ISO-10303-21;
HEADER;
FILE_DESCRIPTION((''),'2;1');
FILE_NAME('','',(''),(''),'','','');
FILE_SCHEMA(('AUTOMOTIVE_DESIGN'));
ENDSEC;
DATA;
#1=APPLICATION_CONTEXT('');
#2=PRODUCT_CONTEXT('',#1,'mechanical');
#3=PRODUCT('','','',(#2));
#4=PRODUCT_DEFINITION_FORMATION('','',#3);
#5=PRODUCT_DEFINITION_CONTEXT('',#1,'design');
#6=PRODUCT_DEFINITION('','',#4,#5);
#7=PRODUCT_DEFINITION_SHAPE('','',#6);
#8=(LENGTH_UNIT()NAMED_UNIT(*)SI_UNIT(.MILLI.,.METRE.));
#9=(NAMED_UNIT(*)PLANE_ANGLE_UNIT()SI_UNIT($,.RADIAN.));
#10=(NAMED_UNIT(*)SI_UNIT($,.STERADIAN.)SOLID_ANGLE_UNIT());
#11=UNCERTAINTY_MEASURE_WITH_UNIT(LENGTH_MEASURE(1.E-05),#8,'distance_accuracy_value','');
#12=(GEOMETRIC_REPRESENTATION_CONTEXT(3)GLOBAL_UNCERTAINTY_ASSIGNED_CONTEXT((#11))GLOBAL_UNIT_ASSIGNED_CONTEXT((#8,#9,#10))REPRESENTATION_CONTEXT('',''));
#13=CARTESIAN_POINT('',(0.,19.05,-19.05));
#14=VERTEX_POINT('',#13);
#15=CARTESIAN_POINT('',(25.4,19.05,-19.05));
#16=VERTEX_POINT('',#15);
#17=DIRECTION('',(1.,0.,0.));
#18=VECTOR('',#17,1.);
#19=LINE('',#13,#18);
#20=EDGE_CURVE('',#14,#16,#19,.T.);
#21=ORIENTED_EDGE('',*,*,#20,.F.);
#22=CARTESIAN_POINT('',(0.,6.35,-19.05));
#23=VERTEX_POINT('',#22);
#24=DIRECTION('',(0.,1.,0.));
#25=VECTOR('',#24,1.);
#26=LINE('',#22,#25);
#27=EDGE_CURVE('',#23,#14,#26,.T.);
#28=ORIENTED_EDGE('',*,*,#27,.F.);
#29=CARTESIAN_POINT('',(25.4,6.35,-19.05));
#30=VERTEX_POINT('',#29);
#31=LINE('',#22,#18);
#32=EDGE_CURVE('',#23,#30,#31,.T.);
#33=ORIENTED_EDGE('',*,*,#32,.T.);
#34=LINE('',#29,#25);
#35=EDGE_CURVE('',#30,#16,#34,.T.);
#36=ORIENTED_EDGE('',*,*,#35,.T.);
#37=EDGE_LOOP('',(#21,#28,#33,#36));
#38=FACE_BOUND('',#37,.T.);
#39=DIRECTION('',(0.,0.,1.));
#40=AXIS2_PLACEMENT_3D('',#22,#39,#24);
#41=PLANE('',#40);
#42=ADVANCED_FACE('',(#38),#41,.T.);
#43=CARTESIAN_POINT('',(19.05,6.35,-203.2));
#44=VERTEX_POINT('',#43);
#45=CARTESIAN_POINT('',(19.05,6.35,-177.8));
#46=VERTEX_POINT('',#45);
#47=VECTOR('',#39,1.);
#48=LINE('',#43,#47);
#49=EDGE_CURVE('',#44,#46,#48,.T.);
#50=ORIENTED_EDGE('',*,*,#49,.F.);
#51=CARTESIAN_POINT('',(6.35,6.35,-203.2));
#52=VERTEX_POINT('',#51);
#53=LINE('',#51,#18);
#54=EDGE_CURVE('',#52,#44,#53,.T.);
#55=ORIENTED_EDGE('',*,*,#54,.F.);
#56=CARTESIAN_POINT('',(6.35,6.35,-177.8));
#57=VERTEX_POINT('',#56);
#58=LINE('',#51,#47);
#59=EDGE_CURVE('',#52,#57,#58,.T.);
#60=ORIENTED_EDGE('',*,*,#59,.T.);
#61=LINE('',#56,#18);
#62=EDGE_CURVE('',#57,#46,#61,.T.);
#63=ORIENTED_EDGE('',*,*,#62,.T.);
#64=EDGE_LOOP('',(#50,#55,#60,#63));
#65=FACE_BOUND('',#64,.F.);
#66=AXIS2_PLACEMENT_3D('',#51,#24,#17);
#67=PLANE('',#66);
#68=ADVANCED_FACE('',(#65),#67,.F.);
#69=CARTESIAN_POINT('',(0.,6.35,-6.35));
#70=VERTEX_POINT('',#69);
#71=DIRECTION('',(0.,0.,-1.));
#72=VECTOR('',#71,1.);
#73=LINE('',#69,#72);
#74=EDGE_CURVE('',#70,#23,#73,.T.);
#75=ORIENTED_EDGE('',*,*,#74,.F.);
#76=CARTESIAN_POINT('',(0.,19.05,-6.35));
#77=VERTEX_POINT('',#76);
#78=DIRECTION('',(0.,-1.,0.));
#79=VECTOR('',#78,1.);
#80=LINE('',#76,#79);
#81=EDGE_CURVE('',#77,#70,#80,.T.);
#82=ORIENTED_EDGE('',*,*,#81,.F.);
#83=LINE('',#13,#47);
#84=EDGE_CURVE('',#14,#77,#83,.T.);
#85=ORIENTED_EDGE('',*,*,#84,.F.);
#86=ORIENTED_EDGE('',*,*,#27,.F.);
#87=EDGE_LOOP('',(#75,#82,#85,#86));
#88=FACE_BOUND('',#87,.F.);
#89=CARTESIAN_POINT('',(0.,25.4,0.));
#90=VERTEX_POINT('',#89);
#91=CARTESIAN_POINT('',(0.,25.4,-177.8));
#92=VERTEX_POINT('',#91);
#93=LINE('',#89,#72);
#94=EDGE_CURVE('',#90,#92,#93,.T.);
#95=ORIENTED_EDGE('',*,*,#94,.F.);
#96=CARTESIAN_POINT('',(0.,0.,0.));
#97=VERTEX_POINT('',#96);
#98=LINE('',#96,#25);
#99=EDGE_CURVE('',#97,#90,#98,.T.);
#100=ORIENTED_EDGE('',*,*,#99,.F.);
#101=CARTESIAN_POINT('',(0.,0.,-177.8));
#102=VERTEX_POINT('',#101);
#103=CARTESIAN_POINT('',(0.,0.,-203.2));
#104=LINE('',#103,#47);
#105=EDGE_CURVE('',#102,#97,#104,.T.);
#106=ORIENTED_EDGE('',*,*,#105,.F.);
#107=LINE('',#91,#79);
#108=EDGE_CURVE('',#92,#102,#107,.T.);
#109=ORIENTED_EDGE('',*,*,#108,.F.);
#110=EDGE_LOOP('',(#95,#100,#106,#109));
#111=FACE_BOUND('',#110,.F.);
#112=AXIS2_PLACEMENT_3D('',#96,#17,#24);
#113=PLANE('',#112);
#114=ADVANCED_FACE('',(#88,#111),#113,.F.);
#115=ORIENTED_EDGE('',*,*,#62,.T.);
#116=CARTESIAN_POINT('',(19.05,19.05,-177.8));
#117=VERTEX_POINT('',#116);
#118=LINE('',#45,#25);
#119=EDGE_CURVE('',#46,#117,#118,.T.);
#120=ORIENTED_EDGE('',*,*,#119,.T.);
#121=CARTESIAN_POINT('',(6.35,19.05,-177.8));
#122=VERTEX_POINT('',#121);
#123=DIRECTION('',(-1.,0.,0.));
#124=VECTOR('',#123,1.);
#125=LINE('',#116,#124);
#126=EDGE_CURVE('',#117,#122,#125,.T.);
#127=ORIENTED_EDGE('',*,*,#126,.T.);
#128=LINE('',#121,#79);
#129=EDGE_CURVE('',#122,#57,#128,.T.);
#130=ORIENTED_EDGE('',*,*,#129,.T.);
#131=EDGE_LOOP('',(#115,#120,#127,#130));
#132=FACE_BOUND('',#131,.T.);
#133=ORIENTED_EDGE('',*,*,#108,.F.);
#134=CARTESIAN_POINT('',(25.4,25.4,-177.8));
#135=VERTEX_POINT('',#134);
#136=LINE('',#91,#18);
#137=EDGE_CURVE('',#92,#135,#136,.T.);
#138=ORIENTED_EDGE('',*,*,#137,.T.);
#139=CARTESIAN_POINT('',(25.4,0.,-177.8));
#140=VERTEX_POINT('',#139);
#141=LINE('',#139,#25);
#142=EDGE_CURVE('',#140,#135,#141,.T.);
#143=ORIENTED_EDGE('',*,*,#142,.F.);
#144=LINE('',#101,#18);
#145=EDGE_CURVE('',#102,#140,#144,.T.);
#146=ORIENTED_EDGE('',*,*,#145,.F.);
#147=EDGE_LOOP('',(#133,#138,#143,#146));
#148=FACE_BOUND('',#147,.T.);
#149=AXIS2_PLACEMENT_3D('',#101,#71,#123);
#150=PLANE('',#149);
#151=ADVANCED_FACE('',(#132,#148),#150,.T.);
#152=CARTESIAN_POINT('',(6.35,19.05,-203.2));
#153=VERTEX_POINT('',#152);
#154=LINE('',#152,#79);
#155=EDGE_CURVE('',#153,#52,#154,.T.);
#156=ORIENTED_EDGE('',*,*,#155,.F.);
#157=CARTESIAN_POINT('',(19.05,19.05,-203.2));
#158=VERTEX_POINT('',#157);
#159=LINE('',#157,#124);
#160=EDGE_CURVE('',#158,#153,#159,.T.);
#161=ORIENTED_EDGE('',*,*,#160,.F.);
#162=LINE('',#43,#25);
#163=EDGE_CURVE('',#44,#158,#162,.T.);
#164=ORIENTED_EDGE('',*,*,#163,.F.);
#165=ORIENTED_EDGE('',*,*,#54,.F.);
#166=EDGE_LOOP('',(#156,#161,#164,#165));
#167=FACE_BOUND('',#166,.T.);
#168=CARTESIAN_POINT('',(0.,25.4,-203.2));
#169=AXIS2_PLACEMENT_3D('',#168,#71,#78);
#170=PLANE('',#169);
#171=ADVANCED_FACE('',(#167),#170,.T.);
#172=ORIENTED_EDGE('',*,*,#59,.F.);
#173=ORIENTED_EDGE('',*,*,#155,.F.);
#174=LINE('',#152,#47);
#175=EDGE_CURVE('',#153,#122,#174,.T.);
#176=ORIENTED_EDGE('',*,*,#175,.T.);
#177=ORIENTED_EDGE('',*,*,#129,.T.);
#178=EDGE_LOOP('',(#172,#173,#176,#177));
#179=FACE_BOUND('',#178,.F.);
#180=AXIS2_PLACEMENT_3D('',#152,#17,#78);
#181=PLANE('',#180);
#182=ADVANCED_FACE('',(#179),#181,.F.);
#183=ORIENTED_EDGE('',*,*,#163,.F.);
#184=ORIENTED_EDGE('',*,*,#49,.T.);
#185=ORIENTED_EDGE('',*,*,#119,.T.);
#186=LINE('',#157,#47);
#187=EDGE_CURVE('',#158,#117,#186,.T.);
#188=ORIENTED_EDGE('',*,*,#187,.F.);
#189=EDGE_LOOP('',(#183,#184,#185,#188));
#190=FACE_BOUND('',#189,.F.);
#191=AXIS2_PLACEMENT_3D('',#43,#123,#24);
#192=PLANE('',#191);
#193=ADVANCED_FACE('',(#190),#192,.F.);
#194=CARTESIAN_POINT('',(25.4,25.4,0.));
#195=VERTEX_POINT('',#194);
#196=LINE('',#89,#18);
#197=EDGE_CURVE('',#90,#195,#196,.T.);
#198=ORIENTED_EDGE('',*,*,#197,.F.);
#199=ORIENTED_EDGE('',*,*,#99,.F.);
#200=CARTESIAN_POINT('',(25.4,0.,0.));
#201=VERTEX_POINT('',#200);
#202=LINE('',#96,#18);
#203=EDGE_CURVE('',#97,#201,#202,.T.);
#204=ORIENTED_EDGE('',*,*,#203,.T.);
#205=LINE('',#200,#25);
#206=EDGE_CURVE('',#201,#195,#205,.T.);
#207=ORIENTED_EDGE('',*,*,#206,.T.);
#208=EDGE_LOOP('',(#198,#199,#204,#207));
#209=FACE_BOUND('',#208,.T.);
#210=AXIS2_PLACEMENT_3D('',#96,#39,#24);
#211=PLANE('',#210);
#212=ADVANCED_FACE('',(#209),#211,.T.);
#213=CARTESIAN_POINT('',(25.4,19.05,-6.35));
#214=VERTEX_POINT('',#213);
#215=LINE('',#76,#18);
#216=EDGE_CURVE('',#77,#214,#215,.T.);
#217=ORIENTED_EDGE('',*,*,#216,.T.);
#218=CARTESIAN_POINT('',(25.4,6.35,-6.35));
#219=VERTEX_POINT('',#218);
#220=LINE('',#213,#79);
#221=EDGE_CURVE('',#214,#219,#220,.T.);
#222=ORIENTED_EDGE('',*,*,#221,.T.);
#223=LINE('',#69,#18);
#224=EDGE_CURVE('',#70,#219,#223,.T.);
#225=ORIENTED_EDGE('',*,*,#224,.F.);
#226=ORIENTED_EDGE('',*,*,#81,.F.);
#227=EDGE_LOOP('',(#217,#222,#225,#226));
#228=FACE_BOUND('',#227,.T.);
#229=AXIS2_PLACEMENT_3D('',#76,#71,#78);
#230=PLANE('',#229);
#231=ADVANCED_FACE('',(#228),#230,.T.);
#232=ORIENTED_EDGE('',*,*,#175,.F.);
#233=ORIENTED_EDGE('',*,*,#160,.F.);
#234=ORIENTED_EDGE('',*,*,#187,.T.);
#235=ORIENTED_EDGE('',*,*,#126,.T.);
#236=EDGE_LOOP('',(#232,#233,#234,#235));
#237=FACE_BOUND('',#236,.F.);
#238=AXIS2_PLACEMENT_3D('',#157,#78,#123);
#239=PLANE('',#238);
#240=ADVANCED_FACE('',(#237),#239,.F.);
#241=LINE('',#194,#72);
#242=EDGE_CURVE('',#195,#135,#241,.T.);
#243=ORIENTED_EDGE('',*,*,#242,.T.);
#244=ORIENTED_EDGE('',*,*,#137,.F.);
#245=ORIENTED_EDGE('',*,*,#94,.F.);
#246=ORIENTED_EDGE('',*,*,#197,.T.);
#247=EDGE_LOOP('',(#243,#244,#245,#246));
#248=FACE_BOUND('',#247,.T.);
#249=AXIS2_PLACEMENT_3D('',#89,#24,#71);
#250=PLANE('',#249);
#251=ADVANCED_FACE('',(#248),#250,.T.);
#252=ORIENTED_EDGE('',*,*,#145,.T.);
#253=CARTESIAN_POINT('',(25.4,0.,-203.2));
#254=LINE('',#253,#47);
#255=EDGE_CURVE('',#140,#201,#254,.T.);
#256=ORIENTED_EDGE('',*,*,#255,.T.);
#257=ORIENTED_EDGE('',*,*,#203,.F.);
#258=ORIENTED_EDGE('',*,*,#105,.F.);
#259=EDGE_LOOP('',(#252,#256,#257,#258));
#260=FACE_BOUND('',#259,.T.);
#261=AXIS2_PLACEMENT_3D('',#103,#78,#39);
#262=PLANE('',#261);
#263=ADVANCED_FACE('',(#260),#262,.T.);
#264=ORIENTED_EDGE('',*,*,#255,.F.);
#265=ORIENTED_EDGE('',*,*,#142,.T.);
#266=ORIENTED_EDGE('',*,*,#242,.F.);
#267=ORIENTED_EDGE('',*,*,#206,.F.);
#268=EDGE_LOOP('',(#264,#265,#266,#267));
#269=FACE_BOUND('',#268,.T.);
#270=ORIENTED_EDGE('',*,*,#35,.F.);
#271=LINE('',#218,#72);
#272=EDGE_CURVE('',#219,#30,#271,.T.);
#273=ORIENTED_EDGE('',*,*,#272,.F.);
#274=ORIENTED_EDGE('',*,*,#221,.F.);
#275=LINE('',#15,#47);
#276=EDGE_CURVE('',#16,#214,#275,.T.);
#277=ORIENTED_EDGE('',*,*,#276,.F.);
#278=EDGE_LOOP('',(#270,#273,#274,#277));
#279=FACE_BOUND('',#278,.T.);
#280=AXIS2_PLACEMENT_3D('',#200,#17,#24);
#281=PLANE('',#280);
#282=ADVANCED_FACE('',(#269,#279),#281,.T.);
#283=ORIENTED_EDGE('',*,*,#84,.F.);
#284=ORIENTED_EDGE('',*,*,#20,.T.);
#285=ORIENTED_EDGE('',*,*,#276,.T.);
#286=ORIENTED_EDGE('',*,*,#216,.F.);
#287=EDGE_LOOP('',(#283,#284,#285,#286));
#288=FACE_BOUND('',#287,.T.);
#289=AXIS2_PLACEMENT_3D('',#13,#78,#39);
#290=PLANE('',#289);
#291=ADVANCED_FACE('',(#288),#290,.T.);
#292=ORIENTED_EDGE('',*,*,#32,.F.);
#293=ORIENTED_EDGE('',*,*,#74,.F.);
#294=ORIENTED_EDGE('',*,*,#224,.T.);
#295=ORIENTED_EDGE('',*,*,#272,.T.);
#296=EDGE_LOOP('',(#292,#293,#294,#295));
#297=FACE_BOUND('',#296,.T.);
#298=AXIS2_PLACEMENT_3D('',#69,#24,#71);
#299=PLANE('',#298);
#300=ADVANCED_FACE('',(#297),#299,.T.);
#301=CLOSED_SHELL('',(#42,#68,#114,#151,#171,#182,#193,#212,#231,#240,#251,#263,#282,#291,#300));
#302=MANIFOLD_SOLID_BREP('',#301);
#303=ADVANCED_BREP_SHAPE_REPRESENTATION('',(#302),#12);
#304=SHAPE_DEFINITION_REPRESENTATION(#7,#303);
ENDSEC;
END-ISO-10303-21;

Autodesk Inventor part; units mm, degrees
ref_plane "YZ Plane" through (0, 0, 0) normal (1, 0, 0) x (0, 1, 0)
ref_plane "XZ Plane" through (0, 0, 0) normal (0, 1, 0) x (-1, 0, 0)
ref_plane "XY Plane" through (0, 0, 0) normal (0, 0, 1) x (1, 0, 0)
sketch "Sketch1" plane through (0, 0, 0) normal (1, 0, 0) x (0, 1, 0)
  line L0 (0, 0) -> (25.4, 0)
  line L1 (25.4, 0) -> (25.4, -203.2)
  line L2 (25.4, -203.2) -> (0, -203.2)
  line L3 (0, -203.2) -> (0, 0)
  line L4 (19.05, -6.35) -> (6.35, -6.35)
  line L5 (6.35, -6.35) -> (6.35, -19.05)
  line L6 (6.35, -19.05) -> (19.05, -19.05)
  line L7 (19.05, -19.05) -> (19.05, -6.35)
  dimension "d0" = 25.4
  dimension "d1" = 203.2
  dimension "d2" = 12.7
  dimension "d3" = 12.7
  dimension "d4" = 6.35
  dimension "d5" = 6.35
extrude "Extrusion1" add sketch "Sketch1" along normal blind 25.4
sketch "Sketch2" plane through (0, 0, -203.2) normal (0, 0, -1) x (-1, 0, 0)
  point P0 (0, 0)
sketch "Sketch3" plane through (0, 0, -203.2) normal (0, 0, -1) x (-1, 0, 0)
  line L0 (-19.05, 19.05) -> (-6.35, 19.05)
  line L1 (-6.35, 19.05) -> (-6.35, 6.35)
  line L2 (-6.35, 6.35) -> (-19.05, 6.35)
  line L3 (-19.05, 6.35) -> (-19.05, 19.05)
  line L4 (0, 25.4) -> (0, 0) projected
  line L5 (0, 25.4) -> (-25.4, 25.4) projected
  line L6 (-25.4, 0) -> (-25.4, 25.4) projected
  line L7 (0, 0) -> (-25.4, 0) projected
  dimension "d8" = 12.7
  dimension "d9" = 12.7
  dimension "d10" = 6.35
  dimension "d11" = 6.35
extrude "Extrusion2" cut sketch "Sketch3" against normal blind 25.4
equation "\"d9\" = d8"
properties part number "FrameAnalysisPart"
